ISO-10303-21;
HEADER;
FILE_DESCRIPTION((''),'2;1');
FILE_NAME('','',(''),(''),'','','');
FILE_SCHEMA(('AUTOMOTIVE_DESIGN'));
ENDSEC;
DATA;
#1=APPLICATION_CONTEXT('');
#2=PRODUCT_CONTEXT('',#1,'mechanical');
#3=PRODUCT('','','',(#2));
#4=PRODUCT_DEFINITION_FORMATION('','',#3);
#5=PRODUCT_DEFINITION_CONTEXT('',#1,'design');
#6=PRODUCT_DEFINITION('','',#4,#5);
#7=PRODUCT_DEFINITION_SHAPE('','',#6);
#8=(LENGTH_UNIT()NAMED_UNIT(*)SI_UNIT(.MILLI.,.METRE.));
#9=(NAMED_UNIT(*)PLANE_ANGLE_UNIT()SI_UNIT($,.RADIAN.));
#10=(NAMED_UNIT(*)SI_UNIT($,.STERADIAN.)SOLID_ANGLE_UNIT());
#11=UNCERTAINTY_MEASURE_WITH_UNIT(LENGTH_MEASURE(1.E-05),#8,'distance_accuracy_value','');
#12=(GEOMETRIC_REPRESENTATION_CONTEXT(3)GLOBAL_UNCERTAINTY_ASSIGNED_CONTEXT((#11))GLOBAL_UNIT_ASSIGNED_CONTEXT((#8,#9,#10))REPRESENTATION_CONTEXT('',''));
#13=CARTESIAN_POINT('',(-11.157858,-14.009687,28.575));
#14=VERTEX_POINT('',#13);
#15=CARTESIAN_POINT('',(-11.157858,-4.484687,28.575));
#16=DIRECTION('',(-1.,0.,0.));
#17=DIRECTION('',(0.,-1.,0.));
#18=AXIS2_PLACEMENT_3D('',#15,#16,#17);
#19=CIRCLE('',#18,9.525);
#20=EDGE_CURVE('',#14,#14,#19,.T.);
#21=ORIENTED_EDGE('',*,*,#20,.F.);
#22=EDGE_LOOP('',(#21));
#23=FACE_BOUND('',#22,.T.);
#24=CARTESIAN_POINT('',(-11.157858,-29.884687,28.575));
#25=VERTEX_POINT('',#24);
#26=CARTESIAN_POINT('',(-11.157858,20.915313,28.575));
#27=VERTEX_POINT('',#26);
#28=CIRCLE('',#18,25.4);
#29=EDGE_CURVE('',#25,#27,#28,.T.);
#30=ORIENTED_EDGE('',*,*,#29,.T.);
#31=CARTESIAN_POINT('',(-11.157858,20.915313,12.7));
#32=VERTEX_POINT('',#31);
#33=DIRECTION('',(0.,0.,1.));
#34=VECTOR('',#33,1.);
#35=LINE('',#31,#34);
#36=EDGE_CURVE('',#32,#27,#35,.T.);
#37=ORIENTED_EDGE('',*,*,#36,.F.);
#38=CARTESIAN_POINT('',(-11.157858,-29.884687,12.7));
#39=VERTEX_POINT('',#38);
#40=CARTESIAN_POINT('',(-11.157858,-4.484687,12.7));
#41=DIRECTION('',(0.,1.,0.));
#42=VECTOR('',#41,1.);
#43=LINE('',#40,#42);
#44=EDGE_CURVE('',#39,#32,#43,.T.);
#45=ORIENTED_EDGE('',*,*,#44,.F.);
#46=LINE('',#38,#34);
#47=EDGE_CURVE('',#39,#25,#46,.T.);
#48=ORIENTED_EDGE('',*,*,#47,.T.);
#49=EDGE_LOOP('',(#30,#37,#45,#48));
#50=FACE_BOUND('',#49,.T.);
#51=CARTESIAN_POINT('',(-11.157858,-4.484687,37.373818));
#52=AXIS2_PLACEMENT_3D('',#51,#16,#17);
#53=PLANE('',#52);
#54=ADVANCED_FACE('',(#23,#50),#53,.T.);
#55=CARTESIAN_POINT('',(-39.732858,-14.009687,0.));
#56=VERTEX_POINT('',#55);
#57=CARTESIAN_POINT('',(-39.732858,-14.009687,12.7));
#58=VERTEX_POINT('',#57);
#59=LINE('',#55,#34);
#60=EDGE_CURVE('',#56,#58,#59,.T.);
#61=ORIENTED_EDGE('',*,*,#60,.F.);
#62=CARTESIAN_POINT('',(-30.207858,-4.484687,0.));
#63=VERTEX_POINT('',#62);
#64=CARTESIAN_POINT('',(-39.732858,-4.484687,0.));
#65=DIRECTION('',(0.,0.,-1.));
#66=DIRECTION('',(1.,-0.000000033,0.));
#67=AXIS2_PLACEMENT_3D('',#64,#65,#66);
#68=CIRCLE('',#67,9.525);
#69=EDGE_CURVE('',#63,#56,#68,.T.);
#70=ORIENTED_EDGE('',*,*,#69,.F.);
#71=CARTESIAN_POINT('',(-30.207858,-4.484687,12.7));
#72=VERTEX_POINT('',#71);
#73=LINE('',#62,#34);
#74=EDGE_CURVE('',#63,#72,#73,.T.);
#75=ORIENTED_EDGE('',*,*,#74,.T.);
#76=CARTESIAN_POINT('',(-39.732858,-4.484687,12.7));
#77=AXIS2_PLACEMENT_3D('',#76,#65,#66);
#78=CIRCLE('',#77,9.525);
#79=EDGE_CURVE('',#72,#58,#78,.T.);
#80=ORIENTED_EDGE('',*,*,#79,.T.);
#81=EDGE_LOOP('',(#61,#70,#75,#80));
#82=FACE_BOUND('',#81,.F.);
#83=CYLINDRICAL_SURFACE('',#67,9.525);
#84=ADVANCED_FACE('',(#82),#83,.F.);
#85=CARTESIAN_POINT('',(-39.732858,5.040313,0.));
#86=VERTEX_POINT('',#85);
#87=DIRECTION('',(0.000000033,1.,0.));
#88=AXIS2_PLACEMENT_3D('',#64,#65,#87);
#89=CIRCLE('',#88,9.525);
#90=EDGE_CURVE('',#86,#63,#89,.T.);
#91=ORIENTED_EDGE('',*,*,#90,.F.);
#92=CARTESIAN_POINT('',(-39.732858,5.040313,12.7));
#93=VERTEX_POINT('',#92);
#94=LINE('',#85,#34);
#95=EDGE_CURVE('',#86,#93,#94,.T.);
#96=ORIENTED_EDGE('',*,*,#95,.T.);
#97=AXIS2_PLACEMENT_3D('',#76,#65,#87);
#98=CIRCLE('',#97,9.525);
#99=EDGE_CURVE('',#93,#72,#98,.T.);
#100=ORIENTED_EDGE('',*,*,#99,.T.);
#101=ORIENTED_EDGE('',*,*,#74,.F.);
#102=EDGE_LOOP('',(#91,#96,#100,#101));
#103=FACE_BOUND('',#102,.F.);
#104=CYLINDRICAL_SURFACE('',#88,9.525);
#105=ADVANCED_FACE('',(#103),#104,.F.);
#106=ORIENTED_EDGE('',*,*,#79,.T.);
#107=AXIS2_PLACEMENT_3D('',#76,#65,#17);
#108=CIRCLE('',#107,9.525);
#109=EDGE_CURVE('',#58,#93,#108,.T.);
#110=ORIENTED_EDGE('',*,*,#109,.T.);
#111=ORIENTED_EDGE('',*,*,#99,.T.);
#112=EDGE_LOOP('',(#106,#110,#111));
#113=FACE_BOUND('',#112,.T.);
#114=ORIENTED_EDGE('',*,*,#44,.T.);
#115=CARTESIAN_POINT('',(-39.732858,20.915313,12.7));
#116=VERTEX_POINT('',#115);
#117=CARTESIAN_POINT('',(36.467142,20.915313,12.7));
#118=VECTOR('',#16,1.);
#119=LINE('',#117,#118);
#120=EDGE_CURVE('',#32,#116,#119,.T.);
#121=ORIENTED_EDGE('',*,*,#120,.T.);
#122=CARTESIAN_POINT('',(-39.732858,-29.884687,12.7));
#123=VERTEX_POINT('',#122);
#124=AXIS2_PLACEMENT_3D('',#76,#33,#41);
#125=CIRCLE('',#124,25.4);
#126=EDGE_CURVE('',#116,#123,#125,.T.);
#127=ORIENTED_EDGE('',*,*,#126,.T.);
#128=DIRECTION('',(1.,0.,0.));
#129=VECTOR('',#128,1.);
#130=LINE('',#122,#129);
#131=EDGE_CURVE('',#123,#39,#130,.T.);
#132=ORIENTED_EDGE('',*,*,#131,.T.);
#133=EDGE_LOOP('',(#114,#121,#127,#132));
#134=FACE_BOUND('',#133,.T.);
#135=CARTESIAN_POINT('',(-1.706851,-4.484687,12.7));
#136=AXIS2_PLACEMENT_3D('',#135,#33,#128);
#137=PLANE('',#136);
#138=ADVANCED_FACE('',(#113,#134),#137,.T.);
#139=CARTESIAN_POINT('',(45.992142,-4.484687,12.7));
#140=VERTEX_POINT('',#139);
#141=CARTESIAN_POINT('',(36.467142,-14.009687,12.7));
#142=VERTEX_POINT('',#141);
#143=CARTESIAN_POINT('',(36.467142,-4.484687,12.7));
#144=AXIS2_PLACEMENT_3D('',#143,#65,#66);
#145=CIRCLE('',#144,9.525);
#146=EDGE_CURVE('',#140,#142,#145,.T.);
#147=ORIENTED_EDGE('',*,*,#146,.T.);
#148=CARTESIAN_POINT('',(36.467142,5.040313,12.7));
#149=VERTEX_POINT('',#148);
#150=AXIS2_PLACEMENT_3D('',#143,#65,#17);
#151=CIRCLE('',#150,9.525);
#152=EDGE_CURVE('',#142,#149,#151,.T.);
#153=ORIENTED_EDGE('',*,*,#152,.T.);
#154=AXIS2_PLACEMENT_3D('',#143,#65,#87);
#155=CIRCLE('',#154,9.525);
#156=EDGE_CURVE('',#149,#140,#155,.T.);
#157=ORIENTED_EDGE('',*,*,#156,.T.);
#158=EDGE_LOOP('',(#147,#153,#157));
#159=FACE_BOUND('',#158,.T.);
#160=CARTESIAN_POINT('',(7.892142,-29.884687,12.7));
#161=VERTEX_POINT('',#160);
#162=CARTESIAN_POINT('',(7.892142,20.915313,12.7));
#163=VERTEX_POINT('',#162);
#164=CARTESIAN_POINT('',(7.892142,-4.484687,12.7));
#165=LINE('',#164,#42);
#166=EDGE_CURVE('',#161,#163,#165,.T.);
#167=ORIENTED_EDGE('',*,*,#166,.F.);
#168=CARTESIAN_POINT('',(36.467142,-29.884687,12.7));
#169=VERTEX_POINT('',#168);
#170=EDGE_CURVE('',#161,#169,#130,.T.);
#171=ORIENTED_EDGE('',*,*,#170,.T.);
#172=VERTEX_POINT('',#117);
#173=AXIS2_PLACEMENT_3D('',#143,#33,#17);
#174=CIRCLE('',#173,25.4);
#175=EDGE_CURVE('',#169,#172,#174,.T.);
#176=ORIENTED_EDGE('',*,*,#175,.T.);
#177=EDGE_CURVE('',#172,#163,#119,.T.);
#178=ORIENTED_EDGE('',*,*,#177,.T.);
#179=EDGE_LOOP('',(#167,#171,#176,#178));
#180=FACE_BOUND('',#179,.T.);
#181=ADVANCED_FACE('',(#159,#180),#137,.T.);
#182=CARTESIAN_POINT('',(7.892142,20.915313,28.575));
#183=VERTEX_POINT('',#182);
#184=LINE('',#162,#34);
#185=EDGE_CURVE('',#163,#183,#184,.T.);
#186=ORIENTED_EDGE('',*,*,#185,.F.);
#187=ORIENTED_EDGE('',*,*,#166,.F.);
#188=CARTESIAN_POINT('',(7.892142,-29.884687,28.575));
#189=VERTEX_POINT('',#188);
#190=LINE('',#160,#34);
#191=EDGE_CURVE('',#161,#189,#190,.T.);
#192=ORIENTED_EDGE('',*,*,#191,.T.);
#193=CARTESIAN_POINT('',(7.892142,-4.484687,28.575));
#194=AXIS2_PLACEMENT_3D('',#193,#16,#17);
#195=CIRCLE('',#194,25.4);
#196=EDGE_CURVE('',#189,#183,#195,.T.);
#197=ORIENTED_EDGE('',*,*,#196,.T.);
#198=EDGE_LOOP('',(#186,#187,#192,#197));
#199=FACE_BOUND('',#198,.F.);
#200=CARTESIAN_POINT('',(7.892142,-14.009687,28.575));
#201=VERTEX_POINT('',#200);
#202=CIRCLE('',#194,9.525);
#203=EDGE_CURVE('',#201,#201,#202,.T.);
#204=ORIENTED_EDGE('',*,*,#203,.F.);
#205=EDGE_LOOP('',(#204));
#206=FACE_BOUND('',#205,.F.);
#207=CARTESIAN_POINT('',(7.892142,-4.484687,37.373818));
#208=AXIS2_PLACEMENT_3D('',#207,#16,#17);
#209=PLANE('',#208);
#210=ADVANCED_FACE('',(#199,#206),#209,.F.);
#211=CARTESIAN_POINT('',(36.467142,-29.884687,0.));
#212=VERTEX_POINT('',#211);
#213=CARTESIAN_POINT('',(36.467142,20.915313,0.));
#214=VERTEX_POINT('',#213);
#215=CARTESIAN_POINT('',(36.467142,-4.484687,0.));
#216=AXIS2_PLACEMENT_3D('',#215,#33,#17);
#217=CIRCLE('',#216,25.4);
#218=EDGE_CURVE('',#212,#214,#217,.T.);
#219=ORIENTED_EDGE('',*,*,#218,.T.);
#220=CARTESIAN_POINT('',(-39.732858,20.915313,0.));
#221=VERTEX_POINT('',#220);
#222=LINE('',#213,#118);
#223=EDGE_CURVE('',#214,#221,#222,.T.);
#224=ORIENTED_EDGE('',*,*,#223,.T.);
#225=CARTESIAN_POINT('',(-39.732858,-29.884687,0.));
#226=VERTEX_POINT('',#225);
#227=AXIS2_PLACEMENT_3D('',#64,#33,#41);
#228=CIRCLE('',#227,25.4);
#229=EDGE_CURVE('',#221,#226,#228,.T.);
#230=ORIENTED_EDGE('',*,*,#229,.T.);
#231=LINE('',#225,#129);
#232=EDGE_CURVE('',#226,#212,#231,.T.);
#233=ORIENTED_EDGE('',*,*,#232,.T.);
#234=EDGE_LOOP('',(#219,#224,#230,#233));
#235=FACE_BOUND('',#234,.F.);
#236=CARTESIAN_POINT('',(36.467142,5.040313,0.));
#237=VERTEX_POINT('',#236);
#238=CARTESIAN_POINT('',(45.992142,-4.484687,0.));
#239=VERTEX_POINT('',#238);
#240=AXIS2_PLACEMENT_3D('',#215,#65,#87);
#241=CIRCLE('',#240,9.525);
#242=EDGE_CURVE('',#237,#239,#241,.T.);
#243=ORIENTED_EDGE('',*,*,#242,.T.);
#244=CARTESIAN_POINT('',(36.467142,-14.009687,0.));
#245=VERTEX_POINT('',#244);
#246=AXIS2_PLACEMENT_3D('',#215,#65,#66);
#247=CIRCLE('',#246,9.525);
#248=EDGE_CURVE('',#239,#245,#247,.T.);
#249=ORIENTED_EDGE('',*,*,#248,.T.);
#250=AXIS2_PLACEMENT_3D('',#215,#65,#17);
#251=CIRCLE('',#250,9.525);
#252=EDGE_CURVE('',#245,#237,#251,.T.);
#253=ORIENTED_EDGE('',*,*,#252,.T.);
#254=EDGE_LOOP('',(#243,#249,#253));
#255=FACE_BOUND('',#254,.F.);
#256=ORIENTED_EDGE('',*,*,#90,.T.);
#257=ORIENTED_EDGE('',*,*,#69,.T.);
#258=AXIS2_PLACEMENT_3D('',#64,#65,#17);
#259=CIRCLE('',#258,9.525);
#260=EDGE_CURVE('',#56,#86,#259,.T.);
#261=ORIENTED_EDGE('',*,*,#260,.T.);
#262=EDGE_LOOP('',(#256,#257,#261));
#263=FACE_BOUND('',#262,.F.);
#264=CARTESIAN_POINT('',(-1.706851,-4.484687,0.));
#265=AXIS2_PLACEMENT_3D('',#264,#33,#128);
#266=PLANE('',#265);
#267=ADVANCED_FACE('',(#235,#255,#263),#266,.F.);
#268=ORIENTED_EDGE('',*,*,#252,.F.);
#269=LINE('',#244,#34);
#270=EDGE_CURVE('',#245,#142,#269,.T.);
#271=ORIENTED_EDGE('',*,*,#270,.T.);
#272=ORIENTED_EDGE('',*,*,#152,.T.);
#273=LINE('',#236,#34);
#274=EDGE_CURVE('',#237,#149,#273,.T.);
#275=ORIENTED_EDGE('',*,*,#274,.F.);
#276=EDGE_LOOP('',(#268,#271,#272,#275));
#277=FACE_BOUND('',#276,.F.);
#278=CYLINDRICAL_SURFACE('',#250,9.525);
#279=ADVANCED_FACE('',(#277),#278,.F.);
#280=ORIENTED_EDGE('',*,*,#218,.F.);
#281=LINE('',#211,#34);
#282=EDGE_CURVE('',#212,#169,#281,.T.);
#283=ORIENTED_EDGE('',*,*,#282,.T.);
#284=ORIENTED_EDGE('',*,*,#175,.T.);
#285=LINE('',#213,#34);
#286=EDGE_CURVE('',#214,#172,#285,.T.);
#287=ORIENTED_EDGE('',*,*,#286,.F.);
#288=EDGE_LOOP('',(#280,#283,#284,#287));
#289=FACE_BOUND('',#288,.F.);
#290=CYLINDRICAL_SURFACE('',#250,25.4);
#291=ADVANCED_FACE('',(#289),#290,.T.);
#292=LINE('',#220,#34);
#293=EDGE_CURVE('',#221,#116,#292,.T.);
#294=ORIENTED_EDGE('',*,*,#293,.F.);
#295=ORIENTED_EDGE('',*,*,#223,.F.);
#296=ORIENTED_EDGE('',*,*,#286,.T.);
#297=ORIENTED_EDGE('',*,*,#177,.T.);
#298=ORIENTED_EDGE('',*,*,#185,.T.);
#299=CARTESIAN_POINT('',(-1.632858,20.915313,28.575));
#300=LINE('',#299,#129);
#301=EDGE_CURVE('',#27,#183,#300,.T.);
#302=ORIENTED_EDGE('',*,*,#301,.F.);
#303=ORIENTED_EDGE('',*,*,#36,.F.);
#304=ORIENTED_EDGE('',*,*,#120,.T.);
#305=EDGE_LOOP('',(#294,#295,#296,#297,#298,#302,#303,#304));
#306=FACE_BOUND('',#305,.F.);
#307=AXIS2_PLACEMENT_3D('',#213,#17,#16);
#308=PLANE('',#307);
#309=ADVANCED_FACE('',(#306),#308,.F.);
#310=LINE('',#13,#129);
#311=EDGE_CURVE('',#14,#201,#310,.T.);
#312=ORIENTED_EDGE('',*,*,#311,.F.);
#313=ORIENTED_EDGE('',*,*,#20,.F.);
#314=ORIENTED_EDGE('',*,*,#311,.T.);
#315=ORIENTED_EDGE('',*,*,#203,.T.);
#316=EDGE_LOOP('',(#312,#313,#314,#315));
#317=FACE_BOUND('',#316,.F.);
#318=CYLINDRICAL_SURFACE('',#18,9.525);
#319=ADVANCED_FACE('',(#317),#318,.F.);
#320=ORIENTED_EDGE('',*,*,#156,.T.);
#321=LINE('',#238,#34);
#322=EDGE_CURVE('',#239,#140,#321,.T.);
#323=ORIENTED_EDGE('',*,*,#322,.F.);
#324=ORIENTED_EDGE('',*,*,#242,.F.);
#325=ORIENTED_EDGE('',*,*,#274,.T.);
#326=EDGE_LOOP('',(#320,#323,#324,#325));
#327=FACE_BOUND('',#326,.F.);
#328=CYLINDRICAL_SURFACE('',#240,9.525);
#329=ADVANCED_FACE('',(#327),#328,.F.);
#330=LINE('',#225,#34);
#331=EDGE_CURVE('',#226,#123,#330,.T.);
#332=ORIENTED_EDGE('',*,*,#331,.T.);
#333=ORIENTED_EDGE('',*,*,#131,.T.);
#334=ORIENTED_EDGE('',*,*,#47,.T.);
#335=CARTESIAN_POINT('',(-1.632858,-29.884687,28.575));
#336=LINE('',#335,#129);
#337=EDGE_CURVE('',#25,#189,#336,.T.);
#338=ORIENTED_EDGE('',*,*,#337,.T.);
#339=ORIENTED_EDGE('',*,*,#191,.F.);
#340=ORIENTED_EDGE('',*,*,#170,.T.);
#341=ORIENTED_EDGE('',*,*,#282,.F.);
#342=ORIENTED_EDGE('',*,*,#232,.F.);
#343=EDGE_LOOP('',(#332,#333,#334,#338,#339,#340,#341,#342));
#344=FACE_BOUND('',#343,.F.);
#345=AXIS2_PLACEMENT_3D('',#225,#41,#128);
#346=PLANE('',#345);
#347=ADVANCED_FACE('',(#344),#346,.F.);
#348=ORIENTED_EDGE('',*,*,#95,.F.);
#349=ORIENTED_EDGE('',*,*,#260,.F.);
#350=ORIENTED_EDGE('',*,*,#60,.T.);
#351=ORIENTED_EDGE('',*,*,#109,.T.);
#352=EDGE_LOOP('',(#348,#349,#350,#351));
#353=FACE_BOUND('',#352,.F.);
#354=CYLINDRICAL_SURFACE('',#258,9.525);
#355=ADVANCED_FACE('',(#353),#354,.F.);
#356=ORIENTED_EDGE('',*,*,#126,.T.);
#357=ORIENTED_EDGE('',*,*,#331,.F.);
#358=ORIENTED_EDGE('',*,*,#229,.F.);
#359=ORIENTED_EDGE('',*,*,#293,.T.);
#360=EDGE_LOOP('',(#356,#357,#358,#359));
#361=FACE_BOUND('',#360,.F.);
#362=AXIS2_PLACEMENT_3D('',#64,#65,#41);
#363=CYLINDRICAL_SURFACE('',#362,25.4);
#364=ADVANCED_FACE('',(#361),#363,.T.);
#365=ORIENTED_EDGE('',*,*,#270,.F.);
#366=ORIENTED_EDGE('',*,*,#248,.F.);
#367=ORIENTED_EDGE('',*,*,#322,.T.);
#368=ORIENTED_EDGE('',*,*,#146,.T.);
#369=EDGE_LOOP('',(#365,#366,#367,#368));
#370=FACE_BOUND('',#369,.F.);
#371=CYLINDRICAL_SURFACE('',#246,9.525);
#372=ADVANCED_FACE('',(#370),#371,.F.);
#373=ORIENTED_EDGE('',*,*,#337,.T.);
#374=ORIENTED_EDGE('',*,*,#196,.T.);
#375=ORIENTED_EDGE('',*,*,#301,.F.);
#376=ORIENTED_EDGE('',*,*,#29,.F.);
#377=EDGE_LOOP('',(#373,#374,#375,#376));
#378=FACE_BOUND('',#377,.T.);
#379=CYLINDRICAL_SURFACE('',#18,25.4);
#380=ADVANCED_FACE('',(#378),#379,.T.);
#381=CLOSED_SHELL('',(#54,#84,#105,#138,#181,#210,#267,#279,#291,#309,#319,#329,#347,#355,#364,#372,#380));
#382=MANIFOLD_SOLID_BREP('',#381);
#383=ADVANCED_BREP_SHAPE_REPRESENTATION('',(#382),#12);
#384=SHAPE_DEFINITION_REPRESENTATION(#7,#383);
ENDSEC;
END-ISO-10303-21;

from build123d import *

# Parameters (mm, degrees)
F1_DEPTH = 12.7
F2_W     = 19.05
F2_H     = 50.8
F3_DEPTH = 15.875
F5_DEPTH = 19.05
F6_R     = 9.525
F7_DEPTH = 19.05


with BuildPart() as f1:
    # F0 (on Top) → F1 (new body)
    with BuildSketch(Plane.XY):
        with BuildLine():
            Line((36.467142, 20.915313), (-39.732858, 20.915313))
            Line((-39.732858, 20.915313), (-39.732858, 5.040313))
            ThreePointArc((-39.732858, 5.040313), (-32.997666, 2.250505), (-30.207858, -4.484687))
            ThreePointArc((-30.207858, -4.484687), (-32.997666, -11.219879), (-39.732858, -14.009687))
            Line((-39.732858, -14.009687), (-39.732858, -29.884687))
            Line((-39.732858, -29.884687), (36.467142, -29.884687))
            Line((36.467142, -29.884687), (36.467142, -14.009687))
            ThreePointArc((36.467142, -14.009687), (26.942142, -4.484687), (36.467142, 5.040313))
            Line((36.467142, 5.040313), (36.467142, 20.915313))
        make_face()
        with BuildLine():
            Line((-39.732858, 5.040313), (-39.732858, 20.915313))
            ThreePointArc((-39.732858, 20.915313), (-65.132858, -4.484687), (-39.732858, -29.884687))
            Line((-39.732858, -29.884687), (-39.732858, -14.009687))
            ThreePointArc((-39.732858, -14.009687), (-49.257858, -4.484687), (-39.732858, 5.040313))
        make_face()
        with BuildLine():
            ThreePointArc((36.467142, -29.884687), (61.867142, -4.484687), (36.467142, 20.915313))
            Line((36.467142, 20.915313), (36.467142, 5.040313))
            ThreePointArc((36.467142, 5.040313), (43.202334, 2.250505), (45.992142, -4.484687))
            ThreePointArc((45.992142, -4.484687), (43.202334, -11.219879), (36.467142, -14.009687))
            Line((36.467142, -14.009687), (36.467142, -29.884687))
        make_face()
    extrude(amount=F1_DEPTH)

    # F2 (on face) → F3 (join)
    with BuildSketch(Plane.XY.offset(12.7)):
        with Locations((-1.632858, -4.484687)):
            Rectangle(F2_W, F2_H)
    extrude(amount=F3_DEPTH)

    # F4 (on face) → F5 (join)
    with BuildSketch(Plane(origin=(-11.157858, 0, 0), x_dir=(0, -1, 0), z_dir=(-1, 0, 0))):
        with BuildLine():
            Line((-20.915313, 28.575), (29.884687, 28.575))
            ThreePointArc((29.884687, 28.575), (4.484687, 53.975), (-20.915313, 28.575))
        make_face()
    extrude(amount=-F5_DEPTH)

    # F6 (on face) → F7 (cut)
    with BuildSketch(Plane(origin=(-11.157858, 0, 0), x_dir=(0, -1, 0), z_dir=(-1, 0, 0))):
        with Locations((4.484687, 28.575)):
            Circle(F6_R)
    extrude(amount=-F7_DEPTH, mode=Mode.SUBTRACT)


solid = f1.part
